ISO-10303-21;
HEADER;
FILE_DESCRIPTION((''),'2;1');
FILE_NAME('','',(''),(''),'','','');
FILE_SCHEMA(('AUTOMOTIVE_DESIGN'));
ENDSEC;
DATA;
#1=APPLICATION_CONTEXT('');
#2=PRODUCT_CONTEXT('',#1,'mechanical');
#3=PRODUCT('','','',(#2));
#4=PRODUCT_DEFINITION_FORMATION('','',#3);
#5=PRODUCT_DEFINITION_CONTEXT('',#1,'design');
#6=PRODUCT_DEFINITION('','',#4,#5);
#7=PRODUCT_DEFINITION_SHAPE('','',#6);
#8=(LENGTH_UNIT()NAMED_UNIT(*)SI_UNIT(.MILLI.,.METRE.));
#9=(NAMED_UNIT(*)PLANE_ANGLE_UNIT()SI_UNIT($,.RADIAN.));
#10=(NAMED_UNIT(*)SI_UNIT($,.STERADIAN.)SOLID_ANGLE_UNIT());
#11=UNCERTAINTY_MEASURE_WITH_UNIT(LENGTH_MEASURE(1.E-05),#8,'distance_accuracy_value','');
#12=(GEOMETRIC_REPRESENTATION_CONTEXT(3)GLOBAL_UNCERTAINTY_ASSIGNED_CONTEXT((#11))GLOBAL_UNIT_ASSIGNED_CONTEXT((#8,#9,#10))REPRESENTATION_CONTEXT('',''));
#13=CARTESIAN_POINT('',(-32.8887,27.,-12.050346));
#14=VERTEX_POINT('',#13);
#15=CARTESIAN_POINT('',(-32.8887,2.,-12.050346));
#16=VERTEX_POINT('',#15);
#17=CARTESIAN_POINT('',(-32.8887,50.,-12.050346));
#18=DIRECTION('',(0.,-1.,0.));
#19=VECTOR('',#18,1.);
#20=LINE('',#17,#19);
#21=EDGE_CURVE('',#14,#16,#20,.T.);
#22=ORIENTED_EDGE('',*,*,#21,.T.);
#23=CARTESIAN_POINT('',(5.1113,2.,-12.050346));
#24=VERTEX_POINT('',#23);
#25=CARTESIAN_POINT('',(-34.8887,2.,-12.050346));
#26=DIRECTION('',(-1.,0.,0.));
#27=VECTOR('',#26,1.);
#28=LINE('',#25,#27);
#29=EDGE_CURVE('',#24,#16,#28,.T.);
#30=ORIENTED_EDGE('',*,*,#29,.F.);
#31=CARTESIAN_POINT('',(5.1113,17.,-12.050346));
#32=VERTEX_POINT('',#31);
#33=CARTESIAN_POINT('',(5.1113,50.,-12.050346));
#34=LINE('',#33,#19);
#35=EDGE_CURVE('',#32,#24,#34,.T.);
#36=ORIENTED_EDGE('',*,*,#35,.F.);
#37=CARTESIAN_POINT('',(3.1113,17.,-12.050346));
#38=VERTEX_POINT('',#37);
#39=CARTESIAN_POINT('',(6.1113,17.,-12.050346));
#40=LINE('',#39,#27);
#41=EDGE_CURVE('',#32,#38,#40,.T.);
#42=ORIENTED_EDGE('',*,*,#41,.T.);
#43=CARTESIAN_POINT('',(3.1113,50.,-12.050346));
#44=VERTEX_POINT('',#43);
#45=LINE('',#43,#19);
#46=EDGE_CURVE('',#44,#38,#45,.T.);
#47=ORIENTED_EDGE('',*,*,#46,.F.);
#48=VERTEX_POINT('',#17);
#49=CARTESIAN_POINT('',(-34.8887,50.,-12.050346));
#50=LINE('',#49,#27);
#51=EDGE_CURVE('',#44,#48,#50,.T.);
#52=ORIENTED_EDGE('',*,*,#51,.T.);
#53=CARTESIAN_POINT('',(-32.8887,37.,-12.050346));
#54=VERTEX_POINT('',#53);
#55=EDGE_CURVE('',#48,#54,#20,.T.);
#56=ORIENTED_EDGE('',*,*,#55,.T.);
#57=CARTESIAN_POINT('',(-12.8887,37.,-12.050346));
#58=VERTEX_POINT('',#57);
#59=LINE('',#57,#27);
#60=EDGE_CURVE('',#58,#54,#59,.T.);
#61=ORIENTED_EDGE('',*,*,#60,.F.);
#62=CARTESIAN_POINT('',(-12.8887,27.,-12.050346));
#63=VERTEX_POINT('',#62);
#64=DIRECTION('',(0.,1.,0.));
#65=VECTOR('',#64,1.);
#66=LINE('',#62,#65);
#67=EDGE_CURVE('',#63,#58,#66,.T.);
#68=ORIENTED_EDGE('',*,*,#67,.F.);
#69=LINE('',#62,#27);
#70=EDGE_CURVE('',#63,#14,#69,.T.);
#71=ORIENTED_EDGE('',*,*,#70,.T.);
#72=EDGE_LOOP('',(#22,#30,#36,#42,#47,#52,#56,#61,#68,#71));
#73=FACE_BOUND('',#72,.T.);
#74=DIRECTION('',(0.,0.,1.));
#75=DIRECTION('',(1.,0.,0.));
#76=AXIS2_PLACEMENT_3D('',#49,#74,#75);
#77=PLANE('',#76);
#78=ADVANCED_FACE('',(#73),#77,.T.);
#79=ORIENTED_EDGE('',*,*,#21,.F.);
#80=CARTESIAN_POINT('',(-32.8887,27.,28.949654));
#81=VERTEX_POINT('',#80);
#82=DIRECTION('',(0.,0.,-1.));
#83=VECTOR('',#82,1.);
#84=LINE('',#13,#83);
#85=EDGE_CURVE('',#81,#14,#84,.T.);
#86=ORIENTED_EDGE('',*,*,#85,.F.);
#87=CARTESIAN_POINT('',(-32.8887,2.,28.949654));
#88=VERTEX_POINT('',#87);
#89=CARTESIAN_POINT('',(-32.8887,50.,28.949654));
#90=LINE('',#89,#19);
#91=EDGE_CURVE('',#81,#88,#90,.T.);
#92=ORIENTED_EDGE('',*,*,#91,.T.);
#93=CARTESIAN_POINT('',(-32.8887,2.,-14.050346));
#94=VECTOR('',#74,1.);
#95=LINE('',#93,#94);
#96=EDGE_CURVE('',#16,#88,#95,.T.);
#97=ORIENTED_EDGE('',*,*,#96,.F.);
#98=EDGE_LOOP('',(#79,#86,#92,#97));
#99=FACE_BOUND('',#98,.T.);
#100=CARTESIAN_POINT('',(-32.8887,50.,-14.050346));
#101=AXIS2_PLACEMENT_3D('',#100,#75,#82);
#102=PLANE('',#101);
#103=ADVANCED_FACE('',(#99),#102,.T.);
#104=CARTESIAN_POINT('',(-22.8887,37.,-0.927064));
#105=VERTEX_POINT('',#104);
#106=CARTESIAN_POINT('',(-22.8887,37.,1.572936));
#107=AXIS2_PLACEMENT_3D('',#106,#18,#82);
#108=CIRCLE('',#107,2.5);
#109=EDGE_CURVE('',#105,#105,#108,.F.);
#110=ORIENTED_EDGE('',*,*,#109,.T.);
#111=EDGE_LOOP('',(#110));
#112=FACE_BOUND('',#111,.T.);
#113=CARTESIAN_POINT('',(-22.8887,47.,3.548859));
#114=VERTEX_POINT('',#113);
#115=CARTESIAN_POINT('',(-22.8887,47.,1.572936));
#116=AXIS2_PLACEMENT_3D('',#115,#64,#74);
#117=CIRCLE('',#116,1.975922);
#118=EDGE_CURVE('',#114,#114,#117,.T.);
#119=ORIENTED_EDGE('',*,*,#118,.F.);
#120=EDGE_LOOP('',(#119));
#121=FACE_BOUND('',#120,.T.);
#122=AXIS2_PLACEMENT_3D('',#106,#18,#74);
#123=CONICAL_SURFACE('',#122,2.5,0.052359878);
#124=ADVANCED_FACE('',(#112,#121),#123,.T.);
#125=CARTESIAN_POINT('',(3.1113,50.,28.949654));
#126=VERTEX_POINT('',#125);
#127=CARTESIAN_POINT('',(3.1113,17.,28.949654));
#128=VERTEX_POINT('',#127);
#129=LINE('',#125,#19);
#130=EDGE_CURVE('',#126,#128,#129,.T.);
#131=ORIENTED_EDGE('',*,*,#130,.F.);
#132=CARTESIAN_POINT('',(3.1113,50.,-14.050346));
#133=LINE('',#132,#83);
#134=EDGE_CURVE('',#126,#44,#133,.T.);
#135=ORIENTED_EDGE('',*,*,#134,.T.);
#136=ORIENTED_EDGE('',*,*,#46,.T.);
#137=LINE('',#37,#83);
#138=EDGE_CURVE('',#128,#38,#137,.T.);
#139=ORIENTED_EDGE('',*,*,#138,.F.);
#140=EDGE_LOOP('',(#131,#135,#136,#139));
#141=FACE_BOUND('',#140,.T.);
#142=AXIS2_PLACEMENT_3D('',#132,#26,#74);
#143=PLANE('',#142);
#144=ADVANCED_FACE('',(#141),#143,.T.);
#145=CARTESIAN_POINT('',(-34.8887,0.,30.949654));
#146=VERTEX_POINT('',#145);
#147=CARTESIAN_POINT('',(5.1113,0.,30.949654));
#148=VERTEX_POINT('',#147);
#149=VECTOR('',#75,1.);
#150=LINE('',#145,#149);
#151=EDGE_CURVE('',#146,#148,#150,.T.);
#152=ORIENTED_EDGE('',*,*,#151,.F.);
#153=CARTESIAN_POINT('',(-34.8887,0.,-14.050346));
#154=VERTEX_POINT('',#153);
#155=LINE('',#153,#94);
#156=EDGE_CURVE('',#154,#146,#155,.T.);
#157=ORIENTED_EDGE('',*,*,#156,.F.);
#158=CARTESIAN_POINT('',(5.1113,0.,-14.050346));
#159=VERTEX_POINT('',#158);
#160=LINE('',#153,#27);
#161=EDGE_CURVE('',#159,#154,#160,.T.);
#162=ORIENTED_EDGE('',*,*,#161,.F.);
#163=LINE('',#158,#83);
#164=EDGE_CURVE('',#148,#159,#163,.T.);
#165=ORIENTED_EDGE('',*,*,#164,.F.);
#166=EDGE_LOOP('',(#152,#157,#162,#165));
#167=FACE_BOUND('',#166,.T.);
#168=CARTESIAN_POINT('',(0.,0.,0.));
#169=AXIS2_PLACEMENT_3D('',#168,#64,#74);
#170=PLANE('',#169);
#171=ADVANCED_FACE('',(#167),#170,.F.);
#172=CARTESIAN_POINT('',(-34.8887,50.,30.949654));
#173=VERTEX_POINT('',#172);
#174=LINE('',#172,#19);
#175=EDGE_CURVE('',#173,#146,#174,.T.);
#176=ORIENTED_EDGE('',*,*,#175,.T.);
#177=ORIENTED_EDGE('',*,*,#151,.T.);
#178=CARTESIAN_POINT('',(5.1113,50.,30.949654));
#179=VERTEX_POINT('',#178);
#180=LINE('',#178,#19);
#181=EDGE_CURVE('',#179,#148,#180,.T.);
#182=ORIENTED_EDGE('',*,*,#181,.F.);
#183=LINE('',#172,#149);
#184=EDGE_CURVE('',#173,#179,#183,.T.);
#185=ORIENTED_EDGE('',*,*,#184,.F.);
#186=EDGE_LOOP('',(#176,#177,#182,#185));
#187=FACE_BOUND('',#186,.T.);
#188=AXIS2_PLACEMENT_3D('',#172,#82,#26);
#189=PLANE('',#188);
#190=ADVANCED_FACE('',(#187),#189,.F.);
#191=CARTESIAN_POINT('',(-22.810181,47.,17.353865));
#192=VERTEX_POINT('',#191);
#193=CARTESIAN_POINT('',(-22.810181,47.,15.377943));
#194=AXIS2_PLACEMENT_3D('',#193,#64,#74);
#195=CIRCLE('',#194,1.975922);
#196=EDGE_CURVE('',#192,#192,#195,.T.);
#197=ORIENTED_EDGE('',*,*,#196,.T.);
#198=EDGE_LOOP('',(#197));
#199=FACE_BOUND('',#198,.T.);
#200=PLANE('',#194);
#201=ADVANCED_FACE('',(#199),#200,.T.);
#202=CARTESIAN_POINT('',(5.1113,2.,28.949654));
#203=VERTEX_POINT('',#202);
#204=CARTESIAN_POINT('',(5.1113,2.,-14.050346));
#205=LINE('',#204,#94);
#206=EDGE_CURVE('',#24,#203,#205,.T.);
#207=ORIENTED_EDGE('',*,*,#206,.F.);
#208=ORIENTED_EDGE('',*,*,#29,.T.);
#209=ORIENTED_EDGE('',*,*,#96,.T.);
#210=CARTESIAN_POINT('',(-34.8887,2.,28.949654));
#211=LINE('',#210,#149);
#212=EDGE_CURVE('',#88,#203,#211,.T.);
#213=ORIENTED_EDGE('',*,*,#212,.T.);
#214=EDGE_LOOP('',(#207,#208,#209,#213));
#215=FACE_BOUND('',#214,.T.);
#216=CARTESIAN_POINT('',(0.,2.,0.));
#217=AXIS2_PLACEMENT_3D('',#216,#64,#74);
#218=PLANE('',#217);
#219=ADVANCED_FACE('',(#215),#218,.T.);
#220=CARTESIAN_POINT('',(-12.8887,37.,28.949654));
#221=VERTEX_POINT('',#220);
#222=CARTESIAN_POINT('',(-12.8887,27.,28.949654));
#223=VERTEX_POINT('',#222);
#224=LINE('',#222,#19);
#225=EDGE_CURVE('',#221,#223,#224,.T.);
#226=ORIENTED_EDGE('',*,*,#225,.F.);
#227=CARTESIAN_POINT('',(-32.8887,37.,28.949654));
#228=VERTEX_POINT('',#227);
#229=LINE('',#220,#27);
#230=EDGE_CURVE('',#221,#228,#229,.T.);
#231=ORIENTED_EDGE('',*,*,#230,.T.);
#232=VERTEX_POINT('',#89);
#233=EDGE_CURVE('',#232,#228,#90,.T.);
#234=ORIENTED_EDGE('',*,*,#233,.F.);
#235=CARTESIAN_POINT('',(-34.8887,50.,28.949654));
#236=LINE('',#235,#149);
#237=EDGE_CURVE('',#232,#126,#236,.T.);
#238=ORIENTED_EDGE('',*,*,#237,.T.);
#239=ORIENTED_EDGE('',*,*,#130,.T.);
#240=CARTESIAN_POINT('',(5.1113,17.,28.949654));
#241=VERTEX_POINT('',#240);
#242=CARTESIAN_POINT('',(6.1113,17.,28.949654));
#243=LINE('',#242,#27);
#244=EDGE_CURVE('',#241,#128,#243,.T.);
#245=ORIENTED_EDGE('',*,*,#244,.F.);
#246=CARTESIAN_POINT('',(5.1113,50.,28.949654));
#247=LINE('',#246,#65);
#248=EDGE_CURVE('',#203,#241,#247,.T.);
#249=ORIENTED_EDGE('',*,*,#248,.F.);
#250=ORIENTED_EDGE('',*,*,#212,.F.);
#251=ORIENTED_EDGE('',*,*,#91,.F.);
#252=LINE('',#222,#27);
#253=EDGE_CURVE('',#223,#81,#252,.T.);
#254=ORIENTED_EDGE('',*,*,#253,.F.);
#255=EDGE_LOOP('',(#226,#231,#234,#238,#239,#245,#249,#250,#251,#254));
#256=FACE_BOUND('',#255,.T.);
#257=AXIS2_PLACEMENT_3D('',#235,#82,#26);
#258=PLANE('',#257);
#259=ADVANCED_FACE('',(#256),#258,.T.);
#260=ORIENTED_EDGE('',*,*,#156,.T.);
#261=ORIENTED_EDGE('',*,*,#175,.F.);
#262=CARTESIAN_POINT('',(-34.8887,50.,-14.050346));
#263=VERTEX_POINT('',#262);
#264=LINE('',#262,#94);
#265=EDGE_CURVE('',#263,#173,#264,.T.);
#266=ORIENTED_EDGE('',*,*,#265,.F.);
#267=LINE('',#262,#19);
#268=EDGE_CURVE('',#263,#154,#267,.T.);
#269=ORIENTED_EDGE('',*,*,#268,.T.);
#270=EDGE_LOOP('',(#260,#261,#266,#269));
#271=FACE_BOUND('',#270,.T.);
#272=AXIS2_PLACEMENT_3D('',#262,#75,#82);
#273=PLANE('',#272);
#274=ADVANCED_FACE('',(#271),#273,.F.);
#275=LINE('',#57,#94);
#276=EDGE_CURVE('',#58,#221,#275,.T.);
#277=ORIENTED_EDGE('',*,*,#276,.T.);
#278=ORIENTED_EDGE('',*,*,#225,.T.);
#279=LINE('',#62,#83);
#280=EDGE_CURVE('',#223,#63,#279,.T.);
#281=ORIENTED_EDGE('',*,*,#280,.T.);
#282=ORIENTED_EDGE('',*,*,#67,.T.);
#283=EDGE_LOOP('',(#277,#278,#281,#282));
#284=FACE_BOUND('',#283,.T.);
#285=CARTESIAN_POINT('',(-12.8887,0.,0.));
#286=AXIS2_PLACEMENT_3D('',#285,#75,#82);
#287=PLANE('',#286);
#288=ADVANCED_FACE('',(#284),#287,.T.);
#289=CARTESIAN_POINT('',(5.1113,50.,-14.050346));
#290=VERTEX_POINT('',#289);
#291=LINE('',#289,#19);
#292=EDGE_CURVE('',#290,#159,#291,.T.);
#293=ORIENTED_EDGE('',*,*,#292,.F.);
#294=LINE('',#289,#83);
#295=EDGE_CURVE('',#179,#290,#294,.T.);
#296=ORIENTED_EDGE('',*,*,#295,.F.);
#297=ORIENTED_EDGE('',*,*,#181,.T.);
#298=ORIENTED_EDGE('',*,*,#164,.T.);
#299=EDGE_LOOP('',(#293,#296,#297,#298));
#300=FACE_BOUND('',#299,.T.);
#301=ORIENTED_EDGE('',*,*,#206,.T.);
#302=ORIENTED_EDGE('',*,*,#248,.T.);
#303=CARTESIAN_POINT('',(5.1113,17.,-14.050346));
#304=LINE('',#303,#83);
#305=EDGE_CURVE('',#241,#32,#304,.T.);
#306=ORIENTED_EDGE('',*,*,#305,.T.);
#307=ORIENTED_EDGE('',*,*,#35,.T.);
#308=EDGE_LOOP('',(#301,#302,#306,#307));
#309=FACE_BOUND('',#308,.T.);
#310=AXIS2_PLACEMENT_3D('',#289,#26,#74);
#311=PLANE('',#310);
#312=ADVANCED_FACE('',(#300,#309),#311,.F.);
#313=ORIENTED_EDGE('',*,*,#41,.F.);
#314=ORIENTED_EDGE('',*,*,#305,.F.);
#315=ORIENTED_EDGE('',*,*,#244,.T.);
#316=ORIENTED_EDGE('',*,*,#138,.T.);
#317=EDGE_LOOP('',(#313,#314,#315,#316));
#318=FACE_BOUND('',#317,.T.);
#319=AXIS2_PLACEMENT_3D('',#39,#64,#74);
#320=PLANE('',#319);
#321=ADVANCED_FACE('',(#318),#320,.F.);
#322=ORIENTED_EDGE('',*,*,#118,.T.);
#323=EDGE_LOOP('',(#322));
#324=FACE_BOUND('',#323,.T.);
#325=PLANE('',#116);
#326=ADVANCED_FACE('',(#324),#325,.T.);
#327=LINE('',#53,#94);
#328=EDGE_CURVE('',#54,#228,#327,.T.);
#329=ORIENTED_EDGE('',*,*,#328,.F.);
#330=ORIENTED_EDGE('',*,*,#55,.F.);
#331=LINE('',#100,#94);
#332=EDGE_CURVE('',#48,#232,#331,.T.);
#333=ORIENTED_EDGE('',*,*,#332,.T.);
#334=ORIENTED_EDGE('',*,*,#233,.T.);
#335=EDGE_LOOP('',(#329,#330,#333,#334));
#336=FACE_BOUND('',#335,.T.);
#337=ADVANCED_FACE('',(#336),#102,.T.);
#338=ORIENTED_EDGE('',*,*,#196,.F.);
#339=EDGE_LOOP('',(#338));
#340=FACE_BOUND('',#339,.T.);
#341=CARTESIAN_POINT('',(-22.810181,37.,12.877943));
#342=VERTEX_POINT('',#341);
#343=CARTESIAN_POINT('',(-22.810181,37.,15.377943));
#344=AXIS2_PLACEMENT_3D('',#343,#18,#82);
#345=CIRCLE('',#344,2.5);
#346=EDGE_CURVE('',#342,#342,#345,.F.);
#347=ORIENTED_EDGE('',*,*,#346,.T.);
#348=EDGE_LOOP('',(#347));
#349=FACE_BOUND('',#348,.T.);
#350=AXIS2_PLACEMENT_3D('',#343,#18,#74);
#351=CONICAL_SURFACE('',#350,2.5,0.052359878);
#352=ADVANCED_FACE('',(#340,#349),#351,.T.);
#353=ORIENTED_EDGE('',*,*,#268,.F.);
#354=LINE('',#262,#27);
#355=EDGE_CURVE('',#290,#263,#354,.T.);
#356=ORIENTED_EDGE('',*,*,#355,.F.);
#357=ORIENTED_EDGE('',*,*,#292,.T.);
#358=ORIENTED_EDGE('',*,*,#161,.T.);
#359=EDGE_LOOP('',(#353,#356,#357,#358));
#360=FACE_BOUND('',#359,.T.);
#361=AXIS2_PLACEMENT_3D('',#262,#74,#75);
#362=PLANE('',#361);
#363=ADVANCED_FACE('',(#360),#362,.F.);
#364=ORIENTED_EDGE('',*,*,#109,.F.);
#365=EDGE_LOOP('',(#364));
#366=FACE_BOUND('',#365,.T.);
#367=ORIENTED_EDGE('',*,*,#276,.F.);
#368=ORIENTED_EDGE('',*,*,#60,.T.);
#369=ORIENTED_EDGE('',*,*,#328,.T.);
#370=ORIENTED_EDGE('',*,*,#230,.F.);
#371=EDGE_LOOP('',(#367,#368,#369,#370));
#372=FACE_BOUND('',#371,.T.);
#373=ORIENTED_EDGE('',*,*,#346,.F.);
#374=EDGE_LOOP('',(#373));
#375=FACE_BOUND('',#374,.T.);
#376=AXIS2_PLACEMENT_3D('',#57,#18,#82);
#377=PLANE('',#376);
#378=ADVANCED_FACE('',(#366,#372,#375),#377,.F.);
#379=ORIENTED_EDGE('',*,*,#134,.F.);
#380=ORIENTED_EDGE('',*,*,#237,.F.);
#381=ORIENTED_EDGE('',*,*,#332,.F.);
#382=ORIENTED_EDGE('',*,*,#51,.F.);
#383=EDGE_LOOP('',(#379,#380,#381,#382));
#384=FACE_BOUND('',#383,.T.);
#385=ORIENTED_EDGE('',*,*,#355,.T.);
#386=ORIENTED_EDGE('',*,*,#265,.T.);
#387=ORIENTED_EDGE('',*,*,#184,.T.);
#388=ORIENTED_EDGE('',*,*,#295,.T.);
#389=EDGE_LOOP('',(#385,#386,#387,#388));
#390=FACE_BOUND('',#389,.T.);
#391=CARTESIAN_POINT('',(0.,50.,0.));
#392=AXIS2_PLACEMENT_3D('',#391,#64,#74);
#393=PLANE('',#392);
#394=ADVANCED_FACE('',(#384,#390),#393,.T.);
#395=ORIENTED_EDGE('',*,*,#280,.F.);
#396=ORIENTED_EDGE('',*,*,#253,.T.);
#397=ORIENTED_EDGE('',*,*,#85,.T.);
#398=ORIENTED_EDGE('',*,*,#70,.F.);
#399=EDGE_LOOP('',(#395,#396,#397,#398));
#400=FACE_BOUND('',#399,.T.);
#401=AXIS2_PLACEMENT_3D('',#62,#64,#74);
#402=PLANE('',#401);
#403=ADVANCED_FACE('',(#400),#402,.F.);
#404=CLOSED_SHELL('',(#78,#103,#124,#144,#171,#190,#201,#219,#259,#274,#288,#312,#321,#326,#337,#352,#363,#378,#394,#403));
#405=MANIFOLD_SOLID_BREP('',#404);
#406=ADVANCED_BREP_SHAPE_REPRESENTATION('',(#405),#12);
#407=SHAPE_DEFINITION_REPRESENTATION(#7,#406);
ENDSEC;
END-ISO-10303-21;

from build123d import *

# Parameters (mm, degrees)
SKETCH1_W           = 40
SKETCH1_H           = 45
BOSS_EXTRUDE1_DEPTH = 50
SHELL1_T            = -2
SKETCH2_W           = 41
SKETCH2_H           = 15
CUT_EXTRUDE1_DEPTH  = 3
SKETCH4_W           = 41
SKETCH4_H           = 10
BOSS_EXTRUDE2_DEPTH = 20
SKETCH17_R          = 2.5
BOSS_EXTRUDE3_DEPTH = 10
BOSS_EXTRUDE3_TAPER = 3
SKETCH16_R          = 2.5
BOSS_EXTRUDE4_DEPTH = 10
BOSS_EXTRUDE4_TAPER = 3


with BuildPart() as part:
    # Sketch1 → Boss-Extrude1 (new body)
    with BuildSketch(Plane(origin=(0, 0, 0), x_dir=(1, 0, 0), z_dir=(0, 1, 0))):
        with Locations((-14.888700463, -8.449653636)):
            Rectangle(SKETCH1_W, SKETCH1_H)
    extrude(amount=BOSS_EXTRUDE1_DEPTH)

    # Shell1
    shell1_openings = [part.faces().sort_by_distance(p)[0] for p in [
        (-14.888700463, 50, 8.449653636),
    ]]
    offset(amount=SHELL1_T, openings=shell1_openings, kind=Kind.INTERSECTION)

    # Sketch2 → Cut-Extrude1 (cut)
    with BuildSketch(Plane.ZY.offset(-3.111299537)):
        with Locations((8.449653636, 9.5)):
            Rectangle(SKETCH2_W, SKETCH2_H)
    extrude(amount=-CUT_EXTRUDE1_DEPTH, mode=Mode.SUBTRACT)

    # Sketch4 → Boss-Extrude2 (add)
    with BuildSketch(Plane(origin=(-32.888700463, 0, 0), x_dir=(0, 0, -1), z_dir=(1, 0, 0))):
        with Locations((-8.449653636, 32)):
            Rectangle(SKETCH4_W, SKETCH4_H)
    extrude(amount=BOSS_EXTRUDE2_DEPTH)

    # Sketch17 → Boss-Extrude3 (add)
    with BuildSketch(Plane(origin=(0, 37, 0), x_dir=(1, 0, 0), z_dir=(0, 1, 0))):
        with Locations((-22.888700463, -1.572936471)):
            Circle(SKETCH17_R)
    extrude(amount=BOSS_EXTRUDE3_DEPTH, taper=BOSS_EXTRUDE3_TAPER)

    # Sketch16 → Boss-Extrude4 (add)
    with BuildSketch(Plane(origin=(0, 37, 0), x_dir=(1, 0, 0), z_dir=(0, 1, 0))):
        with Locations((-22.81018082, -15.377942678)):
            Circle(SKETCH16_R)
    extrude(amount=BOSS_EXTRUDE4_DEPTH, taper=BOSS_EXTRUDE4_TAPER)


solid = part.part
